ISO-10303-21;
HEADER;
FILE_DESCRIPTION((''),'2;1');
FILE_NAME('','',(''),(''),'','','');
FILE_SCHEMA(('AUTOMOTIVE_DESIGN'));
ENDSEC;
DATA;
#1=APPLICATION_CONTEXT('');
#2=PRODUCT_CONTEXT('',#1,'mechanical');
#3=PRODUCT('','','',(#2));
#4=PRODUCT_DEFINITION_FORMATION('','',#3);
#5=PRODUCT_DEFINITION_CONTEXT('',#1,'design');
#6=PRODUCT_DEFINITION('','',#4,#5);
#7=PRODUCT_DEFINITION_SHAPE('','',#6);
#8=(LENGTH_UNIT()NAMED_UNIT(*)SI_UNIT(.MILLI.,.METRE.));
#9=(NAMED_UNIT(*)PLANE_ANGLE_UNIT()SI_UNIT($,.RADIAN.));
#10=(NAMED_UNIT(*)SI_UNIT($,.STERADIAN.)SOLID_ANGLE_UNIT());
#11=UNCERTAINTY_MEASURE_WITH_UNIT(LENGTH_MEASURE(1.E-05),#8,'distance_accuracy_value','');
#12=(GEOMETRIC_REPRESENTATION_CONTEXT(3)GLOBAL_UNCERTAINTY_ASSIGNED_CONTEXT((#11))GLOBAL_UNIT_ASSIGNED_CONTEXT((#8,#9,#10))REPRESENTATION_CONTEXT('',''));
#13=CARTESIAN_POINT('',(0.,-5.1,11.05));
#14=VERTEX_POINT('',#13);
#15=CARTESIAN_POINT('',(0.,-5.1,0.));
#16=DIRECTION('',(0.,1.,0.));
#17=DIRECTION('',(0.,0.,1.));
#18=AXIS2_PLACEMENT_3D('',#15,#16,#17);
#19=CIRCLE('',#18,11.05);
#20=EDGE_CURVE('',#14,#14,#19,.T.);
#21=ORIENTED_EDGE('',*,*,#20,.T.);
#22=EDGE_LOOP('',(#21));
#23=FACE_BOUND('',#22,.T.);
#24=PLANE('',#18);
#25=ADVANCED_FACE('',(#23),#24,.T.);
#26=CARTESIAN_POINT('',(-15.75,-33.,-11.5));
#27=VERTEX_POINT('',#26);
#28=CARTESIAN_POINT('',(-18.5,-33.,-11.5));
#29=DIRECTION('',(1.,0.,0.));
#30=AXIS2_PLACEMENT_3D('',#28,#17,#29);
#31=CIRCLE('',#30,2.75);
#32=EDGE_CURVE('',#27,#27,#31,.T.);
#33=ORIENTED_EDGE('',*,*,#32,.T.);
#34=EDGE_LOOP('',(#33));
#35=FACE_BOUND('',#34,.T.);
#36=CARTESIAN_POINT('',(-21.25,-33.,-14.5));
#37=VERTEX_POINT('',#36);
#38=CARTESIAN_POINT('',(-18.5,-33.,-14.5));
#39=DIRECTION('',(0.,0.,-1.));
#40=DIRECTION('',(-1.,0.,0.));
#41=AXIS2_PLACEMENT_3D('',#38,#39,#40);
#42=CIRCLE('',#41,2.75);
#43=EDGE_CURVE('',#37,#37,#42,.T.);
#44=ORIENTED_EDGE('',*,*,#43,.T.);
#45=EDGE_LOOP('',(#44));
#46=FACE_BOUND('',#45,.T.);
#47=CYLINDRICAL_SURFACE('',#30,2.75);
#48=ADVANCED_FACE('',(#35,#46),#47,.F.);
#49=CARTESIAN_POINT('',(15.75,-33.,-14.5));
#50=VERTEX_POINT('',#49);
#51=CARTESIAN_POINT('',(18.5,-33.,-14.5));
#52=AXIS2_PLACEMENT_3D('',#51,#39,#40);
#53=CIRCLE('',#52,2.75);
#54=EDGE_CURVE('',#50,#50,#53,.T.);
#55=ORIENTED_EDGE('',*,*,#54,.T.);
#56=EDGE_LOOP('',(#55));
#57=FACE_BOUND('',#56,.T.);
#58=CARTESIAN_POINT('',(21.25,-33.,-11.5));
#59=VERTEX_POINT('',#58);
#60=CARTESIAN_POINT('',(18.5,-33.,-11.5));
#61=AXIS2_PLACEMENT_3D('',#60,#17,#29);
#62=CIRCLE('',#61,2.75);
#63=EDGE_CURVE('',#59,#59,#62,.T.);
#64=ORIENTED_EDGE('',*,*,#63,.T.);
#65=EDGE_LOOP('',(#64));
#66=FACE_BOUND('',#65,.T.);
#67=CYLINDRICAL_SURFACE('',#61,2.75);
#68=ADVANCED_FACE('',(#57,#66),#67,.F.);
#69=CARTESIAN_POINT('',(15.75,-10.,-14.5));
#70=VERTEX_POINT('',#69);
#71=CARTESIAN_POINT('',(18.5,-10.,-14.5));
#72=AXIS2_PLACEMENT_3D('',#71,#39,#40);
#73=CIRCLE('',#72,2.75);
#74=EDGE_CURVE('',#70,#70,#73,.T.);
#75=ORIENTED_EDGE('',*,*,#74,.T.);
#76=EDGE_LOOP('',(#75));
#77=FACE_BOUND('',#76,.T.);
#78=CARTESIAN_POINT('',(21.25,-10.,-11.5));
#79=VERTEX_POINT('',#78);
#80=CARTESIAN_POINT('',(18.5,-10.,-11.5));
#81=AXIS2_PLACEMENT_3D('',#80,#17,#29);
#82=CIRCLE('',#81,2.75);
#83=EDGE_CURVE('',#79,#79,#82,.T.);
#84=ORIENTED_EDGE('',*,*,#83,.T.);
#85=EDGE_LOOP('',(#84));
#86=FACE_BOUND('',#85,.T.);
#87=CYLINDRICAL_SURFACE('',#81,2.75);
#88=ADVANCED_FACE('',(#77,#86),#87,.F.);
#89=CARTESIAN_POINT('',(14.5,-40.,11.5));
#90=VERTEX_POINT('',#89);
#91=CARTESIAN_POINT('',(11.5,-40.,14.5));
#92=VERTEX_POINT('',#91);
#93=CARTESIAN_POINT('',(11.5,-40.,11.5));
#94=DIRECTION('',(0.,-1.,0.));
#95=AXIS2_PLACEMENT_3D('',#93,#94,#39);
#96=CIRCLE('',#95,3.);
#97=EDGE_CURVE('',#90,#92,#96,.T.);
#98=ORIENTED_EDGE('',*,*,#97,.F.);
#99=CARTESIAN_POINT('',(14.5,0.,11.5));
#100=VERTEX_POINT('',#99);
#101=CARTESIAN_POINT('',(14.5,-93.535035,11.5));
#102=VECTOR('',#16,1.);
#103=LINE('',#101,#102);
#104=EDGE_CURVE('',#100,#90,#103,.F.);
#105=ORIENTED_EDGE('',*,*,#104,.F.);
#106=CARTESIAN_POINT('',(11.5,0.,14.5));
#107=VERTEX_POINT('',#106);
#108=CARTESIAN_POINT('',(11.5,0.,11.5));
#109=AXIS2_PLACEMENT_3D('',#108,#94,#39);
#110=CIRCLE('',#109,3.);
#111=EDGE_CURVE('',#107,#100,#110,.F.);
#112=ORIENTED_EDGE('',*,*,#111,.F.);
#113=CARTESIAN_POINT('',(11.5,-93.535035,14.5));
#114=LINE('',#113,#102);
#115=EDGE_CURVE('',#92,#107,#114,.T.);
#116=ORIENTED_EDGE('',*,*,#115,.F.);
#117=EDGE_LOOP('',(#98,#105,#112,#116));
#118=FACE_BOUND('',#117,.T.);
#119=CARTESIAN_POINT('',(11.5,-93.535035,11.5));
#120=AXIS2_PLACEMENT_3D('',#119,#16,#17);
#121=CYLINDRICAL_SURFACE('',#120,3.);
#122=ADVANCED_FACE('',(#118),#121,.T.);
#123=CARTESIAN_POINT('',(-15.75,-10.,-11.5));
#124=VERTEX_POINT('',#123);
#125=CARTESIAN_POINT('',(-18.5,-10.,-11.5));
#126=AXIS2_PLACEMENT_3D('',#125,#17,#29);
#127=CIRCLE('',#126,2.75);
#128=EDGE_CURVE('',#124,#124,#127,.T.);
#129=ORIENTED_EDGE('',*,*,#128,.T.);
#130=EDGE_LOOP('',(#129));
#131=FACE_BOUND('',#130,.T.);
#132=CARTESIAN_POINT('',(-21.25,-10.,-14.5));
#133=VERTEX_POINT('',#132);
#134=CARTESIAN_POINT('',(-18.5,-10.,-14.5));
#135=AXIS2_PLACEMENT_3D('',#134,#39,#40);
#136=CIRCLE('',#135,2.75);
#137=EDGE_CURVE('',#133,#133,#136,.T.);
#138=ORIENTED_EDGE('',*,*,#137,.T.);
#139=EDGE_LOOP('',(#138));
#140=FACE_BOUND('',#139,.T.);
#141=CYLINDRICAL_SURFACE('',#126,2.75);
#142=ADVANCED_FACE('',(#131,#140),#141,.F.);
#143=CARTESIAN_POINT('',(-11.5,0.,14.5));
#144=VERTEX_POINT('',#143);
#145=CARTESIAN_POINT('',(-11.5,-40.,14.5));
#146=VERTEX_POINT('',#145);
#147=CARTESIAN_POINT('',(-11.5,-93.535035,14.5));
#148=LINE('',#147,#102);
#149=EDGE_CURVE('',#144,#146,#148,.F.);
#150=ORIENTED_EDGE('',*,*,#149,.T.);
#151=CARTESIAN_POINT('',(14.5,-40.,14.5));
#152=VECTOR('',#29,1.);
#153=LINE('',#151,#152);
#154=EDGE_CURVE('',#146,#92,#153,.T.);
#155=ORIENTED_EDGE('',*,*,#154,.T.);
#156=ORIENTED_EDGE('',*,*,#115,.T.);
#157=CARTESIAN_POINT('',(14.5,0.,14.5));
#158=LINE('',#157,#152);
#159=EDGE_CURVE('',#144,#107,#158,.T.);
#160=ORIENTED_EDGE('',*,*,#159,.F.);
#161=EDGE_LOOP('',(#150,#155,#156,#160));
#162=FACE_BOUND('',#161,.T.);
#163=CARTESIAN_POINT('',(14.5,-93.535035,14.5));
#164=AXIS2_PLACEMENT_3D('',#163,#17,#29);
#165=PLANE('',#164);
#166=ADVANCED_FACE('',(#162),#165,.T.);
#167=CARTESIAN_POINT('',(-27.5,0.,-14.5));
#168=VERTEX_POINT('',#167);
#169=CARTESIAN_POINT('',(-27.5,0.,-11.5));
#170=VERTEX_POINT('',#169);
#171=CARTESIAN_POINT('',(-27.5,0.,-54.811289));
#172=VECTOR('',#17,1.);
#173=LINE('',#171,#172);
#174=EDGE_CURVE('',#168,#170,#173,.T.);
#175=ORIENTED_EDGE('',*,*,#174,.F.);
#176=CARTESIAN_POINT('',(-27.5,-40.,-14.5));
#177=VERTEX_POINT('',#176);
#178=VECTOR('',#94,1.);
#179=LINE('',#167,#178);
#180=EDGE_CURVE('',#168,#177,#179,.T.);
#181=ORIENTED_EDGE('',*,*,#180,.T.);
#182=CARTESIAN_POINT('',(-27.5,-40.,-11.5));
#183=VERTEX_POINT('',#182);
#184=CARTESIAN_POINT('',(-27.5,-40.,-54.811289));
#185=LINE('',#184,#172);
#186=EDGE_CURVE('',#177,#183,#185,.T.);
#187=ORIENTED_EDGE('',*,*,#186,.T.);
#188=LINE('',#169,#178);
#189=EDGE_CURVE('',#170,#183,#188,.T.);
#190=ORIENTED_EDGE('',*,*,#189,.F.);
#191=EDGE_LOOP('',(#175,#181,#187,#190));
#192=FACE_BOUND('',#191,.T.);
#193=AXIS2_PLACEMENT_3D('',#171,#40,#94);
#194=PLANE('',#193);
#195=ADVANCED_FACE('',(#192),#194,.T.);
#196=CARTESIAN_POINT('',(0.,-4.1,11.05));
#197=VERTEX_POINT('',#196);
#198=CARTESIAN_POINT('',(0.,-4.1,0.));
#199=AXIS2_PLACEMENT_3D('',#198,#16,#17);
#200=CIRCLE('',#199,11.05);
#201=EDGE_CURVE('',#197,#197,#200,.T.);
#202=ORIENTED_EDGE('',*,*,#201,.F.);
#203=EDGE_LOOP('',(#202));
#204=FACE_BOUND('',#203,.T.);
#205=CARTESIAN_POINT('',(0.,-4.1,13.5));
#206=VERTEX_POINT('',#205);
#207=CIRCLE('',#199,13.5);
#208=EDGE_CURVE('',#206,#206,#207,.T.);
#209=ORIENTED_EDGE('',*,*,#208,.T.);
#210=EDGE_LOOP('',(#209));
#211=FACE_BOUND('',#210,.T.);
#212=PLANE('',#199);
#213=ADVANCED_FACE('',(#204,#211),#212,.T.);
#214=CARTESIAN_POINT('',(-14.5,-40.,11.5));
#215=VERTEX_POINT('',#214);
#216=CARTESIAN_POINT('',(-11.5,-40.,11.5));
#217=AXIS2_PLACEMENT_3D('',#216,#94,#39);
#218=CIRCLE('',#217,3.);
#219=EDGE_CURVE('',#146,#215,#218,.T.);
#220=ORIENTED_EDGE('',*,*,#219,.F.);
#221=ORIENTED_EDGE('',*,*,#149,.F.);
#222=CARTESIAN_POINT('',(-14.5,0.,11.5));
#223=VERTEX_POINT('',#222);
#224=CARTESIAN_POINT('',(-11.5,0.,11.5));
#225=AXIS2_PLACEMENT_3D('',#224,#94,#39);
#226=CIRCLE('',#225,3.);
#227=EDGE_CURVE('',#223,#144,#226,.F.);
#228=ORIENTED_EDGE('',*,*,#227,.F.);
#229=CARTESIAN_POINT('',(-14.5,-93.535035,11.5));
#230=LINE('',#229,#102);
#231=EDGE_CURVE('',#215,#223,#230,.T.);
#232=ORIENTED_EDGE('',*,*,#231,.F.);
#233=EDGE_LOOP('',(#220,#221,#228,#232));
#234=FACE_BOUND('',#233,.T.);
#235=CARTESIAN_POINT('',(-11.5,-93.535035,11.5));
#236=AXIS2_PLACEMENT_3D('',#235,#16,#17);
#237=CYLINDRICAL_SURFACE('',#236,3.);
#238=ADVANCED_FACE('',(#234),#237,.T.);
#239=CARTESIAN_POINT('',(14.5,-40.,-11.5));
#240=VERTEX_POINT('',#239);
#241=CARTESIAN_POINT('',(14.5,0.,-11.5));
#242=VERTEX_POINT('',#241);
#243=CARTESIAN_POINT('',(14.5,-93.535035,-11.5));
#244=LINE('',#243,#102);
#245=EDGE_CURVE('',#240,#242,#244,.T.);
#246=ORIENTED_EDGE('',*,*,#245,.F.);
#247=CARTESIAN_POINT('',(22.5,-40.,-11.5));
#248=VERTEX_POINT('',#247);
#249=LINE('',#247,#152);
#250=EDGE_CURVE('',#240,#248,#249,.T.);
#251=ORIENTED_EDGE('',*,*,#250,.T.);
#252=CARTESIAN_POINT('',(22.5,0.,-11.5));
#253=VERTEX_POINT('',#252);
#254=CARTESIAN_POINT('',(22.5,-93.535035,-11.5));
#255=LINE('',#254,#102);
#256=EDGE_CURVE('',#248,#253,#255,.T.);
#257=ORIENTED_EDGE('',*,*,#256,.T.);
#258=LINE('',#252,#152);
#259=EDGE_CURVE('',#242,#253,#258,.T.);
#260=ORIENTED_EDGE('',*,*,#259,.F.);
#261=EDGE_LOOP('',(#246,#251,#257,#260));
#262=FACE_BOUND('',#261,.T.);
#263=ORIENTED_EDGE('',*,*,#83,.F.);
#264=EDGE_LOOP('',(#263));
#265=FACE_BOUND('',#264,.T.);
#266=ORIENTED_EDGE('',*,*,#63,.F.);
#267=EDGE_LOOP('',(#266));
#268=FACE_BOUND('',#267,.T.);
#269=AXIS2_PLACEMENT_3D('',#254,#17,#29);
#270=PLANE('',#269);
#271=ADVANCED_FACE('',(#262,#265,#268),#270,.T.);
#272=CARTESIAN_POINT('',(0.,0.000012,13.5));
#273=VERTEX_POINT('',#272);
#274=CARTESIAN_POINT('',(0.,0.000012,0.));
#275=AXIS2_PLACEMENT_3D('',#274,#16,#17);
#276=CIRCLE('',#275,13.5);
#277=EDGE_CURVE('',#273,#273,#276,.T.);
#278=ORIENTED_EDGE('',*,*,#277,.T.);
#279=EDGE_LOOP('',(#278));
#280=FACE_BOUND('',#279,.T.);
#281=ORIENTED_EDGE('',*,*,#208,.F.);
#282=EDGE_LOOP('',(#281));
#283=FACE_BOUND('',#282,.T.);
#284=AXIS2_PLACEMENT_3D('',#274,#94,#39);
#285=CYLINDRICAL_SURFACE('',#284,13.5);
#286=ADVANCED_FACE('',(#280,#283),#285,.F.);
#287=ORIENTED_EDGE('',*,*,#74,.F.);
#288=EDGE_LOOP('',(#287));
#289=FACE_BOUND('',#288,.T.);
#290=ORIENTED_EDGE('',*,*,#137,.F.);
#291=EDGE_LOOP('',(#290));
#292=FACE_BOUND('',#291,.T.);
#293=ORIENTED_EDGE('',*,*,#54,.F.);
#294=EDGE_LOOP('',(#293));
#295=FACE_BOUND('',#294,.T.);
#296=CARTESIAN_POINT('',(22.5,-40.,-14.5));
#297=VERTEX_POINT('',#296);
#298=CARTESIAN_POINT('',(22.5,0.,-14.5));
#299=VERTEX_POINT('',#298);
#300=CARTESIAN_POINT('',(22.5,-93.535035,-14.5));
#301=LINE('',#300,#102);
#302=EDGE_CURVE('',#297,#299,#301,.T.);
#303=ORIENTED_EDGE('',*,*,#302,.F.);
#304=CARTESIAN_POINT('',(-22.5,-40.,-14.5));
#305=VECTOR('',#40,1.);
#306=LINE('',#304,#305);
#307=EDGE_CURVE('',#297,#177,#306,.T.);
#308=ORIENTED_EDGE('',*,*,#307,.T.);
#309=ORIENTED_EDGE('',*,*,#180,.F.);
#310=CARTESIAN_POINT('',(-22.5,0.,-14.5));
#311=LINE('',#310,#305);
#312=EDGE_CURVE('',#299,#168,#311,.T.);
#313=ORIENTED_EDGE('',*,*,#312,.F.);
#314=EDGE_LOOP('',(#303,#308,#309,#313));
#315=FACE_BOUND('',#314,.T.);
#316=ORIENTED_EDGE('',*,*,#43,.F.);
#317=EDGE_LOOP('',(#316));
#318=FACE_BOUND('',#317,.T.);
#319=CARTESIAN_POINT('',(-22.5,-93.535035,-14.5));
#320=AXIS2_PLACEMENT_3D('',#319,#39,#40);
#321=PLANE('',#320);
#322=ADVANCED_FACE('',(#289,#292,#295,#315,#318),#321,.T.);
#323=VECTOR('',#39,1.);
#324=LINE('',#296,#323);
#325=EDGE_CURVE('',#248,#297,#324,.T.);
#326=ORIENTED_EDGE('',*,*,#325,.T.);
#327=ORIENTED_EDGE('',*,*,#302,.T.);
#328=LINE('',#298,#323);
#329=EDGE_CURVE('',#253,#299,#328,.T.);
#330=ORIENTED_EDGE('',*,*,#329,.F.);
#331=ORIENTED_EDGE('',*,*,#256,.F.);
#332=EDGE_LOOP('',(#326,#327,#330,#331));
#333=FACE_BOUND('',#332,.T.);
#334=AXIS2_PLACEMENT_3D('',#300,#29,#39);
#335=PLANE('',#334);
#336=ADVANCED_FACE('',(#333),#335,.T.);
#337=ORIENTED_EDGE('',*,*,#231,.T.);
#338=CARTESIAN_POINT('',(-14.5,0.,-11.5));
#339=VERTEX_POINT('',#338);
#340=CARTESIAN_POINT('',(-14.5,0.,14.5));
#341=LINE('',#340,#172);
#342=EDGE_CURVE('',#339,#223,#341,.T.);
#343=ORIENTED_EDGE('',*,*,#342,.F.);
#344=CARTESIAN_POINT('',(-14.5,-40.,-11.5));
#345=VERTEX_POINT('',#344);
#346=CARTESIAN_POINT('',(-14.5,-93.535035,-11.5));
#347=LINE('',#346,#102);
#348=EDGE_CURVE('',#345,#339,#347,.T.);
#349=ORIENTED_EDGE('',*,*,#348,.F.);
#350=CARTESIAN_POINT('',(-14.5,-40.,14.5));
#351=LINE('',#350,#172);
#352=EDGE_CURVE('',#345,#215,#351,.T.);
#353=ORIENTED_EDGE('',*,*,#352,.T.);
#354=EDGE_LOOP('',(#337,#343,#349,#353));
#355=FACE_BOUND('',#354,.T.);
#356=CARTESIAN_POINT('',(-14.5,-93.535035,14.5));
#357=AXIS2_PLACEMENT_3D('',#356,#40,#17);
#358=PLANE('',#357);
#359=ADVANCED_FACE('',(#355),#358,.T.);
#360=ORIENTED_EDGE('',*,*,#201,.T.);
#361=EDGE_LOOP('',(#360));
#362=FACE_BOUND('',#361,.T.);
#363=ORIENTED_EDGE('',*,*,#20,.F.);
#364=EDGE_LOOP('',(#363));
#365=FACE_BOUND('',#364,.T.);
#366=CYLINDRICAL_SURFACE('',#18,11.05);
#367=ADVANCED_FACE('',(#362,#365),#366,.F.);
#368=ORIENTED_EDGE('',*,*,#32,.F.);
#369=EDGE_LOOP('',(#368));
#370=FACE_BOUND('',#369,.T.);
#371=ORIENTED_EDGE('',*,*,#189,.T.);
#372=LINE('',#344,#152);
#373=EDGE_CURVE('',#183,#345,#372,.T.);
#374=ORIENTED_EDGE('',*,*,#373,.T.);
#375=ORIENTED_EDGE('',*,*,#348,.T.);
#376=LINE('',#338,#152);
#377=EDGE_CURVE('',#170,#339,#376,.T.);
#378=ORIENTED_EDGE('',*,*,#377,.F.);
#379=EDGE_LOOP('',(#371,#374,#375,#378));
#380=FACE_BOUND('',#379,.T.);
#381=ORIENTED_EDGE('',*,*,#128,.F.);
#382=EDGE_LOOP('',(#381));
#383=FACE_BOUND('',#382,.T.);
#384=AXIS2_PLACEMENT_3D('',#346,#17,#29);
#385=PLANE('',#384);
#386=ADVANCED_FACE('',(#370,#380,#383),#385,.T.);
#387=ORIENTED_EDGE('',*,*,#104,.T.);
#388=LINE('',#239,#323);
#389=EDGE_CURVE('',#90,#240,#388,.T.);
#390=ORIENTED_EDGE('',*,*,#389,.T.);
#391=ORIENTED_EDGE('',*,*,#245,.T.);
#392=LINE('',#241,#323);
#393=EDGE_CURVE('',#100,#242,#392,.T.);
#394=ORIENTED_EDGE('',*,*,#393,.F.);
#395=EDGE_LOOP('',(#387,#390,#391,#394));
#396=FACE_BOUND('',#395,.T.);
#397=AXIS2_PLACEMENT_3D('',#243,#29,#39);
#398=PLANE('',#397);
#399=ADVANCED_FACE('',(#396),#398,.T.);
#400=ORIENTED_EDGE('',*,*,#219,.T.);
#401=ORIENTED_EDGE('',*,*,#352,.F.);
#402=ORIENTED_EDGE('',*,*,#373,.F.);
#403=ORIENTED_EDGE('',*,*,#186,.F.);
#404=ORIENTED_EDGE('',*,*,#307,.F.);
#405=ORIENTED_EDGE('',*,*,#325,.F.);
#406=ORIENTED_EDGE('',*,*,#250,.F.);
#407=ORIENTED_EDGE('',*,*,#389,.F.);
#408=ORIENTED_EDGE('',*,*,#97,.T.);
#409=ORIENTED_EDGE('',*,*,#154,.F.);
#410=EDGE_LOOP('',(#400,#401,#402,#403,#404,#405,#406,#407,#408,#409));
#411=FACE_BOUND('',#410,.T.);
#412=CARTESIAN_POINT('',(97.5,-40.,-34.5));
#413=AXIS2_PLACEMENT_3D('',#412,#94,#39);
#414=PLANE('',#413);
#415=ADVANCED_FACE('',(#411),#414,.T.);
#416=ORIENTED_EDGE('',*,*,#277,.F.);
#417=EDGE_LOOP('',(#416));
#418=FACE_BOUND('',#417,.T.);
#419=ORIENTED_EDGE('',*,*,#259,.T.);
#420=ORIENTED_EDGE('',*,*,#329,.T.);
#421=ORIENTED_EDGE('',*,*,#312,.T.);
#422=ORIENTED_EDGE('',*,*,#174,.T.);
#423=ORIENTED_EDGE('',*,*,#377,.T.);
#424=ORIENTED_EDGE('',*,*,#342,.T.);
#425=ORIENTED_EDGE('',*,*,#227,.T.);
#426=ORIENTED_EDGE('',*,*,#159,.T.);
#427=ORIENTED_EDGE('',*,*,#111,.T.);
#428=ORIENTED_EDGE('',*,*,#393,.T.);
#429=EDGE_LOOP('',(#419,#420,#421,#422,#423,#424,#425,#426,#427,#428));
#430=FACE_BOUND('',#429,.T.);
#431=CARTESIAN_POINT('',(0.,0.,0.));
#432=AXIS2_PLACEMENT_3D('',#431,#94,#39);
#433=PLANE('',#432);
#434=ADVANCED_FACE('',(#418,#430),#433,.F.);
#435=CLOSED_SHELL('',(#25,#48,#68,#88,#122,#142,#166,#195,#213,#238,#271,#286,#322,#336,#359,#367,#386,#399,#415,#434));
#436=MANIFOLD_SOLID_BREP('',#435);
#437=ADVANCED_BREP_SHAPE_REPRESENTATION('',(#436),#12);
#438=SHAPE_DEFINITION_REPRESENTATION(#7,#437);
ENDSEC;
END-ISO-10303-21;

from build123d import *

# Parameters (mm, degrees)
BOSS_EXTRUDE1_DEPTH     = 40
CUT_EXTRUDE1_DEPTH      = 49.130032204
CUT_EXTRUDE1_DEPTH_BACK = 4.1
SKETCH2_R               = 13.5
SKETCH7_R               = 11.05
CUT_EXTRUDE3_DEPTH      = 1
M5_CLEARANCE_HOLE2_D    = 5.5
FILLET1_R               = 3
SKETCH8_W               = 5
SKETCH8_H               = 40
BOSS_EXTRUDE2_DEPTH     = 3


with BuildPart() as part:
    # Sketch1 → Boss-Extrude1 (new body)
    with BuildSketch(Plane(origin=(0, 0, 0), x_dir=(1, 0, 0), z_dir=(0, 1, 0))):
        Polygon((-22.5, 14.5), (22.5, 14.5), (22.5, 11.5), (14.5, 11.5), (14.5, -14.5), (-14.5, -14.5), (-14.5, 11.5), (-22.5, 11.5), align=None)
    extrude(amount=-BOSS_EXTRUDE1_DEPTH)

    # Sketch2 → Cut-Extrude1 (cut, two sides: drawn at the far end of the back side and taken through both)
    with BuildSketch(Plane(origin=(0, 0, 0), x_dir=(1, 0, 0), z_dir=(0, 1, 0)).offset(-CUT_EXTRUDE1_DEPTH_BACK)):
        with Locations(Location((0, 0, 0), (0, 0, 270))):
            Circle(SKETCH2_R)
    extrude(amount=CUT_EXTRUDE1_DEPTH + CUT_EXTRUDE1_DEPTH_BACK, mode=Mode.SUBTRACT)

    # Sketch7 → Cut-Extrude3 (cut)
    with BuildSketch(Plane(origin=(0, -4.1, 0), x_dir=(1, 0, 0), z_dir=(0, 1, 0))):
        with Locations(Location((0, 0, 0), (0, 0, 270))):
            Circle(SKETCH7_R)
    extrude(amount=-CUT_EXTRUDE3_DEPTH, mode=Mode.SUBTRACT)

    # M5 Clearance Hole2 (through all)
    with Locations(Plane.XY.offset(-11.5)):
        with Locations((18.5, -33), (-18.5, -10), (18.5, -10), (-18.5, -33)):
            Hole(M5_CLEARANCE_HOLE2_D / 2)

    # Fillet1
    fillet1_edges = [part.edges().sort_by_distance(p)[0] for p in [
        (-14.5, -20, 14.5),
        (14.5, -20, 14.5),
    ]]
    fillet(fillet1_edges, radius=FILLET1_R)

    # Sketch8 → Boss-Extrude2 (add)
    with BuildSketch(Plane.XY.offset(-11.5)):
        with Locations((-25, -20)):
            Rectangle(SKETCH8_W, SKETCH8_H)
    extrude(amount=-BOSS_EXTRUDE2_DEPTH)


solid = part.part
